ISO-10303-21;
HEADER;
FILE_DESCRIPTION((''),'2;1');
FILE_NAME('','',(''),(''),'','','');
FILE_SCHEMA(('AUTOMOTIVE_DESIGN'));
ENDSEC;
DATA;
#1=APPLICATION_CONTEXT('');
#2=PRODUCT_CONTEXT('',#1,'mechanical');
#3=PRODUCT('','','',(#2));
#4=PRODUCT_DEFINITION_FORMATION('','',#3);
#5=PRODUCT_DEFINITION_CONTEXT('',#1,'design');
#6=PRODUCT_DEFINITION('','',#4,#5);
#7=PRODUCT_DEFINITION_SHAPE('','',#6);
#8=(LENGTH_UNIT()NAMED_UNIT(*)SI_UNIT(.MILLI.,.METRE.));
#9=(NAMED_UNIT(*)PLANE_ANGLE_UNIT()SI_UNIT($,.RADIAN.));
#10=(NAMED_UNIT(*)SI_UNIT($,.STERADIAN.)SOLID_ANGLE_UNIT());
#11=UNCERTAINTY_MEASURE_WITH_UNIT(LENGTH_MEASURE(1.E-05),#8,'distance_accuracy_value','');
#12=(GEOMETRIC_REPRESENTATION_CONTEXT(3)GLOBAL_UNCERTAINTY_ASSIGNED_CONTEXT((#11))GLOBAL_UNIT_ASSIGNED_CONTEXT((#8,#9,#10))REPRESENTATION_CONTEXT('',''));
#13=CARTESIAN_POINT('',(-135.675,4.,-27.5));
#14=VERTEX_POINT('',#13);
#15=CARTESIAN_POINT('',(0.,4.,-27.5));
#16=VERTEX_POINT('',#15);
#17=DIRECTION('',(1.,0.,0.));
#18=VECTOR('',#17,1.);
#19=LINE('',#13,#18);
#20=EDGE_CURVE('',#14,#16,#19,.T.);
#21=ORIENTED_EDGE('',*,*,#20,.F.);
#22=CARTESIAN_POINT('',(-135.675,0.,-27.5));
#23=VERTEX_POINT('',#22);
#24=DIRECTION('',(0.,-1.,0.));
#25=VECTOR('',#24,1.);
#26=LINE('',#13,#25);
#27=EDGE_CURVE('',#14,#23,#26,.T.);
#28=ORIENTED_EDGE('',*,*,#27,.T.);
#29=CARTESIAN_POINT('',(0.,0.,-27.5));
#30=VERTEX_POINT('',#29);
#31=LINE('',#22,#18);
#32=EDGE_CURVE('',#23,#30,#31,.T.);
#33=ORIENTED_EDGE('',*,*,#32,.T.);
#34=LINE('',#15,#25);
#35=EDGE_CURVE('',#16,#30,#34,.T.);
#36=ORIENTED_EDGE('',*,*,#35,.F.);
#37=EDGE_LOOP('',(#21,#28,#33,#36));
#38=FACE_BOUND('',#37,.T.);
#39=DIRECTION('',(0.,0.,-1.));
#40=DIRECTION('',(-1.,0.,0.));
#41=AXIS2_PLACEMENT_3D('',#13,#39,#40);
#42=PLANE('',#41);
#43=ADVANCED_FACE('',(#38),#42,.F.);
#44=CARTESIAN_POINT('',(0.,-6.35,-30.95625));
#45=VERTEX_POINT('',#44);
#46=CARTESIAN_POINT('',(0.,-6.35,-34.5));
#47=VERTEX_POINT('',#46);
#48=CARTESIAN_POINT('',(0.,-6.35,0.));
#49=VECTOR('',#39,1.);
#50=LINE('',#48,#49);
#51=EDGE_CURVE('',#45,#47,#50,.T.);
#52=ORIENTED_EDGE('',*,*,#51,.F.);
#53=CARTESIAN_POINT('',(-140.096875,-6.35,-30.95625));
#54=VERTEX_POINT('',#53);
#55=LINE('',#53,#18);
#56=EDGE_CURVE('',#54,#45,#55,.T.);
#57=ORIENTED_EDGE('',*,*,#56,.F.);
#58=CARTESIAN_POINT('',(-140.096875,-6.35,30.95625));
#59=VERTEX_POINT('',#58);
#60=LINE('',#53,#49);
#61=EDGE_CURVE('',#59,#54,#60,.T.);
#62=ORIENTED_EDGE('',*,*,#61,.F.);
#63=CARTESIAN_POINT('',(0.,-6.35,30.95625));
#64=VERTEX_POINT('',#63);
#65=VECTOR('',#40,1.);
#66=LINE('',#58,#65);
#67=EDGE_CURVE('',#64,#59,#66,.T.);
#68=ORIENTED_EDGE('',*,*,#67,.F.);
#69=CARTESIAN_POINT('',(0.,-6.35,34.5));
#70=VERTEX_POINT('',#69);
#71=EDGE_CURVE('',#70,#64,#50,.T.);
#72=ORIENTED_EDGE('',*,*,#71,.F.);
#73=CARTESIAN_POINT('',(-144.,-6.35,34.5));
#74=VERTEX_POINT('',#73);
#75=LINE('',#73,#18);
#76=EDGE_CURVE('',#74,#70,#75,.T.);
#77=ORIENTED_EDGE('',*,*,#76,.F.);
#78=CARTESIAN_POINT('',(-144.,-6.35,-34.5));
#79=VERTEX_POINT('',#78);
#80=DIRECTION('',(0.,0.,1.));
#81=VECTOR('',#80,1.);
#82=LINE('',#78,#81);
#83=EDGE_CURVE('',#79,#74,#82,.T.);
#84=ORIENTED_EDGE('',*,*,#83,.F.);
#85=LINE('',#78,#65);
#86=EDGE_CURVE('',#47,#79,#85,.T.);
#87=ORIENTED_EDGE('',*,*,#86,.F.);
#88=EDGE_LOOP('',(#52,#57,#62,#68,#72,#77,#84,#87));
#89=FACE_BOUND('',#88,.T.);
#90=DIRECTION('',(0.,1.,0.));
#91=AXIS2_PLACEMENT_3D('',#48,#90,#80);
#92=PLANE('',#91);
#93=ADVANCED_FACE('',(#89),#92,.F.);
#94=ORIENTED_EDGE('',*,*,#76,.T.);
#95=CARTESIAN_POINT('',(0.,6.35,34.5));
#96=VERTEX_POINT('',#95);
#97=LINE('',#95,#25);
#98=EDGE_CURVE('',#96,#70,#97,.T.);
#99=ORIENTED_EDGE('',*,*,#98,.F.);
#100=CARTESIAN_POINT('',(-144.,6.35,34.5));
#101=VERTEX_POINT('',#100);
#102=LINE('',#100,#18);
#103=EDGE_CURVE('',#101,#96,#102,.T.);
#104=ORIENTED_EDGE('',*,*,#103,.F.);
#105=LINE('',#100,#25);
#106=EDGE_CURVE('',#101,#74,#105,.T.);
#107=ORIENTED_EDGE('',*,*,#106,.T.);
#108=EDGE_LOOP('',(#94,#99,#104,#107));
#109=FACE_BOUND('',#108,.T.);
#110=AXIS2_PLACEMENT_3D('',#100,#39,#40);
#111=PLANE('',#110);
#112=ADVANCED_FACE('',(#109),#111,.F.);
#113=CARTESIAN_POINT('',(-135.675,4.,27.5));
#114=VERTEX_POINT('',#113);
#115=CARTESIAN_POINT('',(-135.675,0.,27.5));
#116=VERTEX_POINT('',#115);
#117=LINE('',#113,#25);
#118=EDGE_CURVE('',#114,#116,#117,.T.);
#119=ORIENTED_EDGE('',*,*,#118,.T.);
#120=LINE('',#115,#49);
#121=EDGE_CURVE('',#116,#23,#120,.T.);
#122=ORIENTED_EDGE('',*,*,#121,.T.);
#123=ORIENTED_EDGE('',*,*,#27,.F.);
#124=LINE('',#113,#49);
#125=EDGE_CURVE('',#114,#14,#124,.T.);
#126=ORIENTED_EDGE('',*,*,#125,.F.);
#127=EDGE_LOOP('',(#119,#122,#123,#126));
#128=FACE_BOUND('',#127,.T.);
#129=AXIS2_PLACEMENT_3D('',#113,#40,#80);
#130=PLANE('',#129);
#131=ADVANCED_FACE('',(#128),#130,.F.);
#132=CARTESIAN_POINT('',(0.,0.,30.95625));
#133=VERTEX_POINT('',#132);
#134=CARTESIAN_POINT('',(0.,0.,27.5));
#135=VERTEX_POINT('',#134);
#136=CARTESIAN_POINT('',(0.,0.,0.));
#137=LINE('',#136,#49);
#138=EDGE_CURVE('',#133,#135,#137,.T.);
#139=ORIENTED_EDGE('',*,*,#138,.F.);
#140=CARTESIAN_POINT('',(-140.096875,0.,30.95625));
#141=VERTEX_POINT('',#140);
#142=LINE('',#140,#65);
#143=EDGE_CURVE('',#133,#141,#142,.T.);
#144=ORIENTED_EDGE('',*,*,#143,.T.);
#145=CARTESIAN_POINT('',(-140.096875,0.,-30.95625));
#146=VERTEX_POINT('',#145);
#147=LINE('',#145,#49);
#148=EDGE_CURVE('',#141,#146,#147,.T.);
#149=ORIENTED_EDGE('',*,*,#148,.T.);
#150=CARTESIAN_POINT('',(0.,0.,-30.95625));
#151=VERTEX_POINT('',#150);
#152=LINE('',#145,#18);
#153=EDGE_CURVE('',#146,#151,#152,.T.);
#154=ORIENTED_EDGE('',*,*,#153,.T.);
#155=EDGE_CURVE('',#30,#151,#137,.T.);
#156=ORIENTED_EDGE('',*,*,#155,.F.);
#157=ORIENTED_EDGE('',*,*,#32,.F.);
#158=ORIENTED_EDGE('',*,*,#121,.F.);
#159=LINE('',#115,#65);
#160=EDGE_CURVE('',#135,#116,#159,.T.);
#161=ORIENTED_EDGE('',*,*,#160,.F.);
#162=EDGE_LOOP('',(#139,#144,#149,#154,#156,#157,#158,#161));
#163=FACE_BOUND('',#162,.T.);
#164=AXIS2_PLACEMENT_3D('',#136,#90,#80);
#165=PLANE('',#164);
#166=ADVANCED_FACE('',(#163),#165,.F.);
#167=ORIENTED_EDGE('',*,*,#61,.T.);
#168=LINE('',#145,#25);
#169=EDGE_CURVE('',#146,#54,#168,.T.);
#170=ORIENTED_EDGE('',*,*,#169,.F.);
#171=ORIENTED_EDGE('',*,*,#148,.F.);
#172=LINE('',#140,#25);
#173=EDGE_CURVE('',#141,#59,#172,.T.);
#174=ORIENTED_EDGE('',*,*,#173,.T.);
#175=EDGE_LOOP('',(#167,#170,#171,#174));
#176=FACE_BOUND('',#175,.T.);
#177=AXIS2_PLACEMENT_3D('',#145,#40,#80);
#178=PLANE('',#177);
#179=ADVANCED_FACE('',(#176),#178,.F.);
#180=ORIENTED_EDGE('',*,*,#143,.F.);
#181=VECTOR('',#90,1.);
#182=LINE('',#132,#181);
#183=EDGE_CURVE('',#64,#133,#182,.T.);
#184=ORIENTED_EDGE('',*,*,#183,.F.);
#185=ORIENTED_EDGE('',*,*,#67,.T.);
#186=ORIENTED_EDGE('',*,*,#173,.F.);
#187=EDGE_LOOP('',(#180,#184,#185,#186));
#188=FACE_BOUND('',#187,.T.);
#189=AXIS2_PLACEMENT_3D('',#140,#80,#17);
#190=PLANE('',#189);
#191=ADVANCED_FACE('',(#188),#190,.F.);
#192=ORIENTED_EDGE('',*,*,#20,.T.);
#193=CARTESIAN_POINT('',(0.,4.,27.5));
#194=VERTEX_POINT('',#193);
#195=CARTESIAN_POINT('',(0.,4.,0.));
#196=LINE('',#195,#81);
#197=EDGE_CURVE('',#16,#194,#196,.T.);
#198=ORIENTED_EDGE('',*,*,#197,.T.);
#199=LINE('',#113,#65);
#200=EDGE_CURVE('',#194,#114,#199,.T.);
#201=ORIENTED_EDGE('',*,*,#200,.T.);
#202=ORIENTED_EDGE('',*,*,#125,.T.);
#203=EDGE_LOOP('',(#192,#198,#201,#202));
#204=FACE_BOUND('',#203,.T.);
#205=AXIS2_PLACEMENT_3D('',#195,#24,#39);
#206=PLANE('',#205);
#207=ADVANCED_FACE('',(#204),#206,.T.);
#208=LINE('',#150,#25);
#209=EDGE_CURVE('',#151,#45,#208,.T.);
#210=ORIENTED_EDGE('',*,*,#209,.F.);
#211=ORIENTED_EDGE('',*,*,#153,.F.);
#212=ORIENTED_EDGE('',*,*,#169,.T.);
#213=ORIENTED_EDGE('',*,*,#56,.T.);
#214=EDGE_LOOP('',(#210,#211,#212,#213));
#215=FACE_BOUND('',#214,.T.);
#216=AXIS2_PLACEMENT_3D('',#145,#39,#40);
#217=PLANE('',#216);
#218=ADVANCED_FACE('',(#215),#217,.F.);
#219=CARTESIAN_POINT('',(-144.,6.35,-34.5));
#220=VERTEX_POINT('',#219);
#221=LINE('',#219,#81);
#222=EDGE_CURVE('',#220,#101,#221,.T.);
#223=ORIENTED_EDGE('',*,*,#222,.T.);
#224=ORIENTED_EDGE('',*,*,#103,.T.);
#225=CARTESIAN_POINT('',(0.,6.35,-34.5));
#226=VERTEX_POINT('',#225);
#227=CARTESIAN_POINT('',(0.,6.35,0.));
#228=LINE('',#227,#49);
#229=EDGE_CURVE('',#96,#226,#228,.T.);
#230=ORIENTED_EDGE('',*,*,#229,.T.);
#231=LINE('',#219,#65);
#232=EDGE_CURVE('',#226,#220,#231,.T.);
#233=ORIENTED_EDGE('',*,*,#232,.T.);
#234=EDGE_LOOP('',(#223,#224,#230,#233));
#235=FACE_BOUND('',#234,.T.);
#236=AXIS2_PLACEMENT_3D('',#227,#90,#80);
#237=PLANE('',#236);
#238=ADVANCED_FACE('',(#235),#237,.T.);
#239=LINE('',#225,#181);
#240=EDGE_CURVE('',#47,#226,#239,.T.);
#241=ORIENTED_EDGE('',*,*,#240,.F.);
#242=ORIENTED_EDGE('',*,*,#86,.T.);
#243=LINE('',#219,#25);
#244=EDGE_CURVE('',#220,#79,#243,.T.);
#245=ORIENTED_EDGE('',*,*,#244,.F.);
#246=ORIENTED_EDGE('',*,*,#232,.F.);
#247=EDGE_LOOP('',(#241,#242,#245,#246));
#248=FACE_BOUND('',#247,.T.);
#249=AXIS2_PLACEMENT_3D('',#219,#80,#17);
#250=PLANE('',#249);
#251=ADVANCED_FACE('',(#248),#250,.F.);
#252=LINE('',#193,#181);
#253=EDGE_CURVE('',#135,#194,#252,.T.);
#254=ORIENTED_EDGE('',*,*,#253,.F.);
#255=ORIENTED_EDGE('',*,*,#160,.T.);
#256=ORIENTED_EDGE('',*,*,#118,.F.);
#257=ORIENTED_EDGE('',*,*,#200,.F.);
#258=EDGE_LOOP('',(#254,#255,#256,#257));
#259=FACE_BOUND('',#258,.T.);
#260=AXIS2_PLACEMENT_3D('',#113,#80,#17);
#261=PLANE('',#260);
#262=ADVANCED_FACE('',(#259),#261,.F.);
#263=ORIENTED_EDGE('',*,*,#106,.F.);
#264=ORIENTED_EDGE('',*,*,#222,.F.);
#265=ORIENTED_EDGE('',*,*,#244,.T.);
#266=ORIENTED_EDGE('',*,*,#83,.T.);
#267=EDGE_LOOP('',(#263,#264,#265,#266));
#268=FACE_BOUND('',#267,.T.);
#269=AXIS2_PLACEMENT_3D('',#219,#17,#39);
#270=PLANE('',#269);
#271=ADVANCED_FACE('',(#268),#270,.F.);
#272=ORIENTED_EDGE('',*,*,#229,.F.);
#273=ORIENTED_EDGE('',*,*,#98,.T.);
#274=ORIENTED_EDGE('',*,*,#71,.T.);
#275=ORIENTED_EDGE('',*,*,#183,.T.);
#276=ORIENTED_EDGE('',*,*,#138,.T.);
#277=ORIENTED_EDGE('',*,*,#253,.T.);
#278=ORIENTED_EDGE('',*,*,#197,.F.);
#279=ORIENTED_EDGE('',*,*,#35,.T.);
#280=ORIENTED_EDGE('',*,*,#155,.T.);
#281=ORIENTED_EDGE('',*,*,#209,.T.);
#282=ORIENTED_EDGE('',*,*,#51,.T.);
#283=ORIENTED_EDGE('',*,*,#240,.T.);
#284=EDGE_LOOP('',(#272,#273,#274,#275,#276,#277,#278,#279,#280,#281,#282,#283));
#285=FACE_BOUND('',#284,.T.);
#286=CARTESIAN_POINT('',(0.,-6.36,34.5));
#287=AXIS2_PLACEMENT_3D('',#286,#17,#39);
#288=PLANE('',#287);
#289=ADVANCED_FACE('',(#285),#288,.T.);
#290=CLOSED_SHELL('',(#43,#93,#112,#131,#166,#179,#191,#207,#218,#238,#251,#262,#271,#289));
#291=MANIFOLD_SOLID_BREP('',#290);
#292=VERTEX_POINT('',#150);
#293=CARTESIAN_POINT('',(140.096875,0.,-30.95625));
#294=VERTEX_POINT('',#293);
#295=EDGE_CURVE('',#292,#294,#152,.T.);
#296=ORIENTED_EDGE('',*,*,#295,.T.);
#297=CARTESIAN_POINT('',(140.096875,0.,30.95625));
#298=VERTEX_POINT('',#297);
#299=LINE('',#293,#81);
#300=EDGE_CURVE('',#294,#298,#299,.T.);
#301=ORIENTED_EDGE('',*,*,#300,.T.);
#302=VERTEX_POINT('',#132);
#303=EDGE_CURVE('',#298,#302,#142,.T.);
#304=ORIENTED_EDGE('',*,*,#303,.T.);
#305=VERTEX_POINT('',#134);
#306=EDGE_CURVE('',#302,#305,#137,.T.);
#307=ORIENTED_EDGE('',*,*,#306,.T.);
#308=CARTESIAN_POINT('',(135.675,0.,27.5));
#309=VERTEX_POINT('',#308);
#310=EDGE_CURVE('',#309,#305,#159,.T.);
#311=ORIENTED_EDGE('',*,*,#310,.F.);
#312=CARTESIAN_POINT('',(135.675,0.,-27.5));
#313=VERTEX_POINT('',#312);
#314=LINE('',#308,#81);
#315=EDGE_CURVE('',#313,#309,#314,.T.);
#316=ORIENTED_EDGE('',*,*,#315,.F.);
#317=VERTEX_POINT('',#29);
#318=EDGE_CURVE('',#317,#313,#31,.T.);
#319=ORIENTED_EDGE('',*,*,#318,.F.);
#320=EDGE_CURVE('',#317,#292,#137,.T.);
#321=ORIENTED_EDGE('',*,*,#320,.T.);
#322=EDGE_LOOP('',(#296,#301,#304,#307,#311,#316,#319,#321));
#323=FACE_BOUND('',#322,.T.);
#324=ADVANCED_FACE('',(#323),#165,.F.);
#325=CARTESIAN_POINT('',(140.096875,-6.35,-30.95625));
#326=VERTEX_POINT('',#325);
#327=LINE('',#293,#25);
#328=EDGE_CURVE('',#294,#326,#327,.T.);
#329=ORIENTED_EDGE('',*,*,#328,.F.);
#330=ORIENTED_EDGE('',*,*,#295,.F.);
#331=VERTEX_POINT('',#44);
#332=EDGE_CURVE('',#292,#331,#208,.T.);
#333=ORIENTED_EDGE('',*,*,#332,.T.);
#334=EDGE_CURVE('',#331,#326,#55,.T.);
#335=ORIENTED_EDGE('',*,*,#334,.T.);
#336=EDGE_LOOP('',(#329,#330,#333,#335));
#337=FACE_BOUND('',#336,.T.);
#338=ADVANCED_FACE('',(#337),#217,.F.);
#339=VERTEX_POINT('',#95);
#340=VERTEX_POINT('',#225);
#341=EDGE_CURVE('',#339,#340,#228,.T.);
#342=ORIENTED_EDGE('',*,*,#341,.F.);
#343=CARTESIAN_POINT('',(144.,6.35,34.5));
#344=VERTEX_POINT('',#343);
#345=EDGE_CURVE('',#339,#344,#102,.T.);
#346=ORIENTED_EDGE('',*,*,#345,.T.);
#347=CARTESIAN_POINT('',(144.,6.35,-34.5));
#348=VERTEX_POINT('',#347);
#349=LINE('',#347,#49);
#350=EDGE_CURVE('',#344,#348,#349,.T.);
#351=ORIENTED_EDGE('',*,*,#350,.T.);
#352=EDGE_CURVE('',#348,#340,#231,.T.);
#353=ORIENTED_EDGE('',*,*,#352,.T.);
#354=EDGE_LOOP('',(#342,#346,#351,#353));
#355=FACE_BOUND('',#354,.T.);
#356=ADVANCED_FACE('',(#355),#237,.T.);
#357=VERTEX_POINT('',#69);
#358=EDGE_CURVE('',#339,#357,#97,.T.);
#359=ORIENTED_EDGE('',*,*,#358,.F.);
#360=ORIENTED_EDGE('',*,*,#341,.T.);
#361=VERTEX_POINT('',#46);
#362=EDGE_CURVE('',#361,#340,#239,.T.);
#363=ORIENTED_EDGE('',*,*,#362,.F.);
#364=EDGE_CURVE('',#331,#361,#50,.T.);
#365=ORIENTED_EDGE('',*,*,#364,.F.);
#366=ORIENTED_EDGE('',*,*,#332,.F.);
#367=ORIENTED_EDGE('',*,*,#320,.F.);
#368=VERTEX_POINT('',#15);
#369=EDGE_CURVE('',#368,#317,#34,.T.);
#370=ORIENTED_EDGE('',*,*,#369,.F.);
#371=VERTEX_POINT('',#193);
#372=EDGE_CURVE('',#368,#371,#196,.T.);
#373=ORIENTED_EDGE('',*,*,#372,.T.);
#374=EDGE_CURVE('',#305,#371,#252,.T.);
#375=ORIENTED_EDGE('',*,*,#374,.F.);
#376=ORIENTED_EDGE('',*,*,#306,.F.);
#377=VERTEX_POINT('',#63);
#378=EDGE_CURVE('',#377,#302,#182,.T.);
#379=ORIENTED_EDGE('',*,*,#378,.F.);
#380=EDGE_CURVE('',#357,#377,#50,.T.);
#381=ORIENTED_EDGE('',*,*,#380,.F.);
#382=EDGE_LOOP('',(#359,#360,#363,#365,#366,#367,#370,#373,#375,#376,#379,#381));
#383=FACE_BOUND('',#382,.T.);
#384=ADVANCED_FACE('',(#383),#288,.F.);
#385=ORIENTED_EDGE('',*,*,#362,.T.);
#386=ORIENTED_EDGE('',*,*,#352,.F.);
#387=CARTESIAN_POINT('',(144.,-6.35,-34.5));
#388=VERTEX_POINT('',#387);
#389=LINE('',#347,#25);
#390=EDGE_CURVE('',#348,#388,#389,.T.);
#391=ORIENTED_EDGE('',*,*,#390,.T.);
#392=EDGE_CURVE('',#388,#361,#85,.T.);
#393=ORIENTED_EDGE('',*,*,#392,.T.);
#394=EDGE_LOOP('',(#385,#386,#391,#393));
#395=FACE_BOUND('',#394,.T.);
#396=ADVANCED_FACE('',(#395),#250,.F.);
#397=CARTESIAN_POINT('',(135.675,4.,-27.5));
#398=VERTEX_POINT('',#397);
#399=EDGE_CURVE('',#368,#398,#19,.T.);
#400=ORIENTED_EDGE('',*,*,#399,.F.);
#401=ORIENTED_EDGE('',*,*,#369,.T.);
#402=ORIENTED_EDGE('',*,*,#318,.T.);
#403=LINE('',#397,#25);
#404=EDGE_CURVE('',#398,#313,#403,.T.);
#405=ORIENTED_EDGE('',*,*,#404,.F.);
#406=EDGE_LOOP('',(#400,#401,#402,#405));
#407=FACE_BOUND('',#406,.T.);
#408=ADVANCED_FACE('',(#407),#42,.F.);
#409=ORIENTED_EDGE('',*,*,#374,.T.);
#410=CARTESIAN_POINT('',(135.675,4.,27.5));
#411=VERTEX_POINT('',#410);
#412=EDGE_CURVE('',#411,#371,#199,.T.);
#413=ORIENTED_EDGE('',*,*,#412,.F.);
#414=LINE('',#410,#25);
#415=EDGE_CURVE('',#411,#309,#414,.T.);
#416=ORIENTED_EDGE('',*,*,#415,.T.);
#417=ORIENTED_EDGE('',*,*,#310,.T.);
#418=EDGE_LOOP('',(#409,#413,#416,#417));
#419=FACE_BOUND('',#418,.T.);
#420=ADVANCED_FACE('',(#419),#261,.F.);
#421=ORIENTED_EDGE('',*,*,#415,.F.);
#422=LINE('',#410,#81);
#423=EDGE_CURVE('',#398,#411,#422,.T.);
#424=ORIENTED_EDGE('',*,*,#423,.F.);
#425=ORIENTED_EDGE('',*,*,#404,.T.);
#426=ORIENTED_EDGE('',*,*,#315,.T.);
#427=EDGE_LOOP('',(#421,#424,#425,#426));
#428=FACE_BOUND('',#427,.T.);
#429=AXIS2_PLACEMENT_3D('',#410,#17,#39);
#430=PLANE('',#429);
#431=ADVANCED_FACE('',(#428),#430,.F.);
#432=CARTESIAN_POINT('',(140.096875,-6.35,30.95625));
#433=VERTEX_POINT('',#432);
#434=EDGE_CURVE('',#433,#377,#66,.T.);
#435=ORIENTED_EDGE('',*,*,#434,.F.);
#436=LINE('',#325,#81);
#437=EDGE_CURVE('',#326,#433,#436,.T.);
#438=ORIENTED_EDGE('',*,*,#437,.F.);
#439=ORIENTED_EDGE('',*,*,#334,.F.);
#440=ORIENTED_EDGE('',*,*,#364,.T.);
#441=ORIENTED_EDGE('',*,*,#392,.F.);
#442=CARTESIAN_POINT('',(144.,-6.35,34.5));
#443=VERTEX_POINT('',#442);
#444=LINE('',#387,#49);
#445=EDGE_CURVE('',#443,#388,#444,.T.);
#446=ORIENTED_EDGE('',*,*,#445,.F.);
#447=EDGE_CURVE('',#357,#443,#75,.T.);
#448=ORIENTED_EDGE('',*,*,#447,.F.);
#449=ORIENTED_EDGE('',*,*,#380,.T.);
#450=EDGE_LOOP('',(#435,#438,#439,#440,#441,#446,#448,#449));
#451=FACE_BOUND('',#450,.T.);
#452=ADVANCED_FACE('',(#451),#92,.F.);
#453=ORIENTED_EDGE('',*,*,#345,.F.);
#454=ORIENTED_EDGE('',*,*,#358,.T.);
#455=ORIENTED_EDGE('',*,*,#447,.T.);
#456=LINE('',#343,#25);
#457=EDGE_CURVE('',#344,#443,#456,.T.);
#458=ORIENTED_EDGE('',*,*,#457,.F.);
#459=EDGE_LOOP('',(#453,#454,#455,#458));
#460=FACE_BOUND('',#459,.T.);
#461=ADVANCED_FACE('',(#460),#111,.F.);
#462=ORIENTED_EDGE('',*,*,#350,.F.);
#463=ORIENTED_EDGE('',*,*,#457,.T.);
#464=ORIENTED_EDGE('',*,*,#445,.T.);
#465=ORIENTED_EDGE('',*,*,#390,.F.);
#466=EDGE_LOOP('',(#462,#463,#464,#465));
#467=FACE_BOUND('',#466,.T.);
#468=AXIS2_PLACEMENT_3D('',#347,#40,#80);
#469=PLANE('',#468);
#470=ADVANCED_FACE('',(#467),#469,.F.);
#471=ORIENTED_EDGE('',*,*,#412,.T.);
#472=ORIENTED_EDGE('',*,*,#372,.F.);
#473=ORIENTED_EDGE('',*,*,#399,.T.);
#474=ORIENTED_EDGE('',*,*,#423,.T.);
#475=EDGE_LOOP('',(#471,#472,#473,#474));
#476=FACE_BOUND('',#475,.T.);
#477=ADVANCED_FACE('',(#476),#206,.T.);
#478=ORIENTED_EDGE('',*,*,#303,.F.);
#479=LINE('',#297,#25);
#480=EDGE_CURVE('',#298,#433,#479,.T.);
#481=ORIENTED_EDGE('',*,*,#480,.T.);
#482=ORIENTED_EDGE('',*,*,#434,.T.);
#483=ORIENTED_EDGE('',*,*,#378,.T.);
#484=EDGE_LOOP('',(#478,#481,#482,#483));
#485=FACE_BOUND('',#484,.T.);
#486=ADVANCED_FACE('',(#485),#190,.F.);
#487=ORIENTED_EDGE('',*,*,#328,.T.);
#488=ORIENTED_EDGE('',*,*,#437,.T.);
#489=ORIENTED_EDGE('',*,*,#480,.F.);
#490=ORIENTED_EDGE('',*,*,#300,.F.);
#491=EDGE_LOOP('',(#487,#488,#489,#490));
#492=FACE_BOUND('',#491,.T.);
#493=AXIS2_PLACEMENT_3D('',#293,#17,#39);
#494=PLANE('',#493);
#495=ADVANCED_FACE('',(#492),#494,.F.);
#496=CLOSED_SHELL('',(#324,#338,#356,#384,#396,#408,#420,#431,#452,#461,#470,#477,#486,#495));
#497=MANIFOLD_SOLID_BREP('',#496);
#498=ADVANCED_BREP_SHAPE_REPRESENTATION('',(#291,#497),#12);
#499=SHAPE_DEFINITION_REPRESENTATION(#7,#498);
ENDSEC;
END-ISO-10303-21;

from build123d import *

# Parameters (mm, degrees)
SKETCH2_W              = 288
SKETCH2_H              = 69
BOSS_EXTRUDE1_DEPTH    = 6.35
SKETCH3_W              = 280.19375
SKETCH3_H              = 61.9125
CUT_EXTRUDE1_DEPTH     = 6.35
SKETCH4_W              = 271.35
SKETCH4_H              = 55
CUT_EXTRUDE2_DEPTH     = 4
SPLIT1_SURFACE_1_BACK  = 297.422
SPLIT1_SURFACE_1_DEPTH = 594.844
SPLIT1_SURFACE_2_BACK  = 297.422
SPLIT1_SURFACE_2_DEPTH = 594.844


with BuildPart() as part:
    # Sketch2 → Boss-Extrude1 (new, symmetric)
    with BuildSketch(Plane(origin=(0, 0, 0), x_dir=(1, 0, 0), z_dir=(0, 1, 0))):
        Rectangle(SKETCH2_W, SKETCH2_H)
    extrude(amount=BOSS_EXTRUDE1_DEPTH, both=True)

    # Sketch3 → Cut-Extrude1 (cut)
    with BuildSketch(Plane.XZ.offset(6.35)):
        Rectangle(SKETCH3_W, SKETCH3_H)
    extrude(amount=-CUT_EXTRUDE1_DEPTH, mode=Mode.SUBTRACT)

    # Sketch4 → Cut-Extrude2 (cut)
    with BuildSketch(Plane.XZ):
        Rectangle(SKETCH4_W, SKETCH4_H)
    extrude(amount=-CUT_EXTRUDE2_DEPTH, mode=Mode.SUBTRACT)


with BuildPart() as body_2:
    # Split1: the piece behind the surface
    add(part.part)
    # Split1 surface: a surface, the sketch's curves swept straight by 594.844 mm
    with BuildLine(Plane(origin=(0, 6.35, 0), x_dir=(1, 0, 0), z_dir=(0, 1, 0)).offset(-SPLIT1_SURFACE_1_BACK), mode=Mode.PRIVATE) as split1_surface_1_path:
        Line((0, -34.5), (0, 34.5))
    split1_surface_1 = Shell.extrude(split1_surface_1_path.wire(), (0 * SPLIT1_SURFACE_1_DEPTH, 1 * SPLIT1_SURFACE_1_DEPTH, 0 * SPLIT1_SURFACE_1_DEPTH))
    split(bisect_by=split1_surface_1, keep=Keep.BOTTOM)


with BuildPart() as part_1:
    add(part.part)

    # Split1: split by a surface, the side it looks to stays
    # Split1 surface: a surface, the sketch's curves swept straight by 594.844 mm
    with BuildLine(Plane(origin=(0, 6.35, 0), x_dir=(1, 0, 0), z_dir=(0, 1, 0)).offset(-SPLIT1_SURFACE_2_BACK), mode=Mode.PRIVATE) as split1_surface_2_path:
        Line((0, -34.5), (0, 34.5))
    split1_surface_2 = Shell.extrude(split1_surface_2_path.wire(), (0 * SPLIT1_SURFACE_2_DEPTH, 1 * SPLIT1_SURFACE_2_DEPTH, 0 * SPLIT1_SURFACE_2_DEPTH))
    split(bisect_by=split1_surface_2, keep=Keep.TOP)


solid = Compound([body_2.part, part_1.part])
